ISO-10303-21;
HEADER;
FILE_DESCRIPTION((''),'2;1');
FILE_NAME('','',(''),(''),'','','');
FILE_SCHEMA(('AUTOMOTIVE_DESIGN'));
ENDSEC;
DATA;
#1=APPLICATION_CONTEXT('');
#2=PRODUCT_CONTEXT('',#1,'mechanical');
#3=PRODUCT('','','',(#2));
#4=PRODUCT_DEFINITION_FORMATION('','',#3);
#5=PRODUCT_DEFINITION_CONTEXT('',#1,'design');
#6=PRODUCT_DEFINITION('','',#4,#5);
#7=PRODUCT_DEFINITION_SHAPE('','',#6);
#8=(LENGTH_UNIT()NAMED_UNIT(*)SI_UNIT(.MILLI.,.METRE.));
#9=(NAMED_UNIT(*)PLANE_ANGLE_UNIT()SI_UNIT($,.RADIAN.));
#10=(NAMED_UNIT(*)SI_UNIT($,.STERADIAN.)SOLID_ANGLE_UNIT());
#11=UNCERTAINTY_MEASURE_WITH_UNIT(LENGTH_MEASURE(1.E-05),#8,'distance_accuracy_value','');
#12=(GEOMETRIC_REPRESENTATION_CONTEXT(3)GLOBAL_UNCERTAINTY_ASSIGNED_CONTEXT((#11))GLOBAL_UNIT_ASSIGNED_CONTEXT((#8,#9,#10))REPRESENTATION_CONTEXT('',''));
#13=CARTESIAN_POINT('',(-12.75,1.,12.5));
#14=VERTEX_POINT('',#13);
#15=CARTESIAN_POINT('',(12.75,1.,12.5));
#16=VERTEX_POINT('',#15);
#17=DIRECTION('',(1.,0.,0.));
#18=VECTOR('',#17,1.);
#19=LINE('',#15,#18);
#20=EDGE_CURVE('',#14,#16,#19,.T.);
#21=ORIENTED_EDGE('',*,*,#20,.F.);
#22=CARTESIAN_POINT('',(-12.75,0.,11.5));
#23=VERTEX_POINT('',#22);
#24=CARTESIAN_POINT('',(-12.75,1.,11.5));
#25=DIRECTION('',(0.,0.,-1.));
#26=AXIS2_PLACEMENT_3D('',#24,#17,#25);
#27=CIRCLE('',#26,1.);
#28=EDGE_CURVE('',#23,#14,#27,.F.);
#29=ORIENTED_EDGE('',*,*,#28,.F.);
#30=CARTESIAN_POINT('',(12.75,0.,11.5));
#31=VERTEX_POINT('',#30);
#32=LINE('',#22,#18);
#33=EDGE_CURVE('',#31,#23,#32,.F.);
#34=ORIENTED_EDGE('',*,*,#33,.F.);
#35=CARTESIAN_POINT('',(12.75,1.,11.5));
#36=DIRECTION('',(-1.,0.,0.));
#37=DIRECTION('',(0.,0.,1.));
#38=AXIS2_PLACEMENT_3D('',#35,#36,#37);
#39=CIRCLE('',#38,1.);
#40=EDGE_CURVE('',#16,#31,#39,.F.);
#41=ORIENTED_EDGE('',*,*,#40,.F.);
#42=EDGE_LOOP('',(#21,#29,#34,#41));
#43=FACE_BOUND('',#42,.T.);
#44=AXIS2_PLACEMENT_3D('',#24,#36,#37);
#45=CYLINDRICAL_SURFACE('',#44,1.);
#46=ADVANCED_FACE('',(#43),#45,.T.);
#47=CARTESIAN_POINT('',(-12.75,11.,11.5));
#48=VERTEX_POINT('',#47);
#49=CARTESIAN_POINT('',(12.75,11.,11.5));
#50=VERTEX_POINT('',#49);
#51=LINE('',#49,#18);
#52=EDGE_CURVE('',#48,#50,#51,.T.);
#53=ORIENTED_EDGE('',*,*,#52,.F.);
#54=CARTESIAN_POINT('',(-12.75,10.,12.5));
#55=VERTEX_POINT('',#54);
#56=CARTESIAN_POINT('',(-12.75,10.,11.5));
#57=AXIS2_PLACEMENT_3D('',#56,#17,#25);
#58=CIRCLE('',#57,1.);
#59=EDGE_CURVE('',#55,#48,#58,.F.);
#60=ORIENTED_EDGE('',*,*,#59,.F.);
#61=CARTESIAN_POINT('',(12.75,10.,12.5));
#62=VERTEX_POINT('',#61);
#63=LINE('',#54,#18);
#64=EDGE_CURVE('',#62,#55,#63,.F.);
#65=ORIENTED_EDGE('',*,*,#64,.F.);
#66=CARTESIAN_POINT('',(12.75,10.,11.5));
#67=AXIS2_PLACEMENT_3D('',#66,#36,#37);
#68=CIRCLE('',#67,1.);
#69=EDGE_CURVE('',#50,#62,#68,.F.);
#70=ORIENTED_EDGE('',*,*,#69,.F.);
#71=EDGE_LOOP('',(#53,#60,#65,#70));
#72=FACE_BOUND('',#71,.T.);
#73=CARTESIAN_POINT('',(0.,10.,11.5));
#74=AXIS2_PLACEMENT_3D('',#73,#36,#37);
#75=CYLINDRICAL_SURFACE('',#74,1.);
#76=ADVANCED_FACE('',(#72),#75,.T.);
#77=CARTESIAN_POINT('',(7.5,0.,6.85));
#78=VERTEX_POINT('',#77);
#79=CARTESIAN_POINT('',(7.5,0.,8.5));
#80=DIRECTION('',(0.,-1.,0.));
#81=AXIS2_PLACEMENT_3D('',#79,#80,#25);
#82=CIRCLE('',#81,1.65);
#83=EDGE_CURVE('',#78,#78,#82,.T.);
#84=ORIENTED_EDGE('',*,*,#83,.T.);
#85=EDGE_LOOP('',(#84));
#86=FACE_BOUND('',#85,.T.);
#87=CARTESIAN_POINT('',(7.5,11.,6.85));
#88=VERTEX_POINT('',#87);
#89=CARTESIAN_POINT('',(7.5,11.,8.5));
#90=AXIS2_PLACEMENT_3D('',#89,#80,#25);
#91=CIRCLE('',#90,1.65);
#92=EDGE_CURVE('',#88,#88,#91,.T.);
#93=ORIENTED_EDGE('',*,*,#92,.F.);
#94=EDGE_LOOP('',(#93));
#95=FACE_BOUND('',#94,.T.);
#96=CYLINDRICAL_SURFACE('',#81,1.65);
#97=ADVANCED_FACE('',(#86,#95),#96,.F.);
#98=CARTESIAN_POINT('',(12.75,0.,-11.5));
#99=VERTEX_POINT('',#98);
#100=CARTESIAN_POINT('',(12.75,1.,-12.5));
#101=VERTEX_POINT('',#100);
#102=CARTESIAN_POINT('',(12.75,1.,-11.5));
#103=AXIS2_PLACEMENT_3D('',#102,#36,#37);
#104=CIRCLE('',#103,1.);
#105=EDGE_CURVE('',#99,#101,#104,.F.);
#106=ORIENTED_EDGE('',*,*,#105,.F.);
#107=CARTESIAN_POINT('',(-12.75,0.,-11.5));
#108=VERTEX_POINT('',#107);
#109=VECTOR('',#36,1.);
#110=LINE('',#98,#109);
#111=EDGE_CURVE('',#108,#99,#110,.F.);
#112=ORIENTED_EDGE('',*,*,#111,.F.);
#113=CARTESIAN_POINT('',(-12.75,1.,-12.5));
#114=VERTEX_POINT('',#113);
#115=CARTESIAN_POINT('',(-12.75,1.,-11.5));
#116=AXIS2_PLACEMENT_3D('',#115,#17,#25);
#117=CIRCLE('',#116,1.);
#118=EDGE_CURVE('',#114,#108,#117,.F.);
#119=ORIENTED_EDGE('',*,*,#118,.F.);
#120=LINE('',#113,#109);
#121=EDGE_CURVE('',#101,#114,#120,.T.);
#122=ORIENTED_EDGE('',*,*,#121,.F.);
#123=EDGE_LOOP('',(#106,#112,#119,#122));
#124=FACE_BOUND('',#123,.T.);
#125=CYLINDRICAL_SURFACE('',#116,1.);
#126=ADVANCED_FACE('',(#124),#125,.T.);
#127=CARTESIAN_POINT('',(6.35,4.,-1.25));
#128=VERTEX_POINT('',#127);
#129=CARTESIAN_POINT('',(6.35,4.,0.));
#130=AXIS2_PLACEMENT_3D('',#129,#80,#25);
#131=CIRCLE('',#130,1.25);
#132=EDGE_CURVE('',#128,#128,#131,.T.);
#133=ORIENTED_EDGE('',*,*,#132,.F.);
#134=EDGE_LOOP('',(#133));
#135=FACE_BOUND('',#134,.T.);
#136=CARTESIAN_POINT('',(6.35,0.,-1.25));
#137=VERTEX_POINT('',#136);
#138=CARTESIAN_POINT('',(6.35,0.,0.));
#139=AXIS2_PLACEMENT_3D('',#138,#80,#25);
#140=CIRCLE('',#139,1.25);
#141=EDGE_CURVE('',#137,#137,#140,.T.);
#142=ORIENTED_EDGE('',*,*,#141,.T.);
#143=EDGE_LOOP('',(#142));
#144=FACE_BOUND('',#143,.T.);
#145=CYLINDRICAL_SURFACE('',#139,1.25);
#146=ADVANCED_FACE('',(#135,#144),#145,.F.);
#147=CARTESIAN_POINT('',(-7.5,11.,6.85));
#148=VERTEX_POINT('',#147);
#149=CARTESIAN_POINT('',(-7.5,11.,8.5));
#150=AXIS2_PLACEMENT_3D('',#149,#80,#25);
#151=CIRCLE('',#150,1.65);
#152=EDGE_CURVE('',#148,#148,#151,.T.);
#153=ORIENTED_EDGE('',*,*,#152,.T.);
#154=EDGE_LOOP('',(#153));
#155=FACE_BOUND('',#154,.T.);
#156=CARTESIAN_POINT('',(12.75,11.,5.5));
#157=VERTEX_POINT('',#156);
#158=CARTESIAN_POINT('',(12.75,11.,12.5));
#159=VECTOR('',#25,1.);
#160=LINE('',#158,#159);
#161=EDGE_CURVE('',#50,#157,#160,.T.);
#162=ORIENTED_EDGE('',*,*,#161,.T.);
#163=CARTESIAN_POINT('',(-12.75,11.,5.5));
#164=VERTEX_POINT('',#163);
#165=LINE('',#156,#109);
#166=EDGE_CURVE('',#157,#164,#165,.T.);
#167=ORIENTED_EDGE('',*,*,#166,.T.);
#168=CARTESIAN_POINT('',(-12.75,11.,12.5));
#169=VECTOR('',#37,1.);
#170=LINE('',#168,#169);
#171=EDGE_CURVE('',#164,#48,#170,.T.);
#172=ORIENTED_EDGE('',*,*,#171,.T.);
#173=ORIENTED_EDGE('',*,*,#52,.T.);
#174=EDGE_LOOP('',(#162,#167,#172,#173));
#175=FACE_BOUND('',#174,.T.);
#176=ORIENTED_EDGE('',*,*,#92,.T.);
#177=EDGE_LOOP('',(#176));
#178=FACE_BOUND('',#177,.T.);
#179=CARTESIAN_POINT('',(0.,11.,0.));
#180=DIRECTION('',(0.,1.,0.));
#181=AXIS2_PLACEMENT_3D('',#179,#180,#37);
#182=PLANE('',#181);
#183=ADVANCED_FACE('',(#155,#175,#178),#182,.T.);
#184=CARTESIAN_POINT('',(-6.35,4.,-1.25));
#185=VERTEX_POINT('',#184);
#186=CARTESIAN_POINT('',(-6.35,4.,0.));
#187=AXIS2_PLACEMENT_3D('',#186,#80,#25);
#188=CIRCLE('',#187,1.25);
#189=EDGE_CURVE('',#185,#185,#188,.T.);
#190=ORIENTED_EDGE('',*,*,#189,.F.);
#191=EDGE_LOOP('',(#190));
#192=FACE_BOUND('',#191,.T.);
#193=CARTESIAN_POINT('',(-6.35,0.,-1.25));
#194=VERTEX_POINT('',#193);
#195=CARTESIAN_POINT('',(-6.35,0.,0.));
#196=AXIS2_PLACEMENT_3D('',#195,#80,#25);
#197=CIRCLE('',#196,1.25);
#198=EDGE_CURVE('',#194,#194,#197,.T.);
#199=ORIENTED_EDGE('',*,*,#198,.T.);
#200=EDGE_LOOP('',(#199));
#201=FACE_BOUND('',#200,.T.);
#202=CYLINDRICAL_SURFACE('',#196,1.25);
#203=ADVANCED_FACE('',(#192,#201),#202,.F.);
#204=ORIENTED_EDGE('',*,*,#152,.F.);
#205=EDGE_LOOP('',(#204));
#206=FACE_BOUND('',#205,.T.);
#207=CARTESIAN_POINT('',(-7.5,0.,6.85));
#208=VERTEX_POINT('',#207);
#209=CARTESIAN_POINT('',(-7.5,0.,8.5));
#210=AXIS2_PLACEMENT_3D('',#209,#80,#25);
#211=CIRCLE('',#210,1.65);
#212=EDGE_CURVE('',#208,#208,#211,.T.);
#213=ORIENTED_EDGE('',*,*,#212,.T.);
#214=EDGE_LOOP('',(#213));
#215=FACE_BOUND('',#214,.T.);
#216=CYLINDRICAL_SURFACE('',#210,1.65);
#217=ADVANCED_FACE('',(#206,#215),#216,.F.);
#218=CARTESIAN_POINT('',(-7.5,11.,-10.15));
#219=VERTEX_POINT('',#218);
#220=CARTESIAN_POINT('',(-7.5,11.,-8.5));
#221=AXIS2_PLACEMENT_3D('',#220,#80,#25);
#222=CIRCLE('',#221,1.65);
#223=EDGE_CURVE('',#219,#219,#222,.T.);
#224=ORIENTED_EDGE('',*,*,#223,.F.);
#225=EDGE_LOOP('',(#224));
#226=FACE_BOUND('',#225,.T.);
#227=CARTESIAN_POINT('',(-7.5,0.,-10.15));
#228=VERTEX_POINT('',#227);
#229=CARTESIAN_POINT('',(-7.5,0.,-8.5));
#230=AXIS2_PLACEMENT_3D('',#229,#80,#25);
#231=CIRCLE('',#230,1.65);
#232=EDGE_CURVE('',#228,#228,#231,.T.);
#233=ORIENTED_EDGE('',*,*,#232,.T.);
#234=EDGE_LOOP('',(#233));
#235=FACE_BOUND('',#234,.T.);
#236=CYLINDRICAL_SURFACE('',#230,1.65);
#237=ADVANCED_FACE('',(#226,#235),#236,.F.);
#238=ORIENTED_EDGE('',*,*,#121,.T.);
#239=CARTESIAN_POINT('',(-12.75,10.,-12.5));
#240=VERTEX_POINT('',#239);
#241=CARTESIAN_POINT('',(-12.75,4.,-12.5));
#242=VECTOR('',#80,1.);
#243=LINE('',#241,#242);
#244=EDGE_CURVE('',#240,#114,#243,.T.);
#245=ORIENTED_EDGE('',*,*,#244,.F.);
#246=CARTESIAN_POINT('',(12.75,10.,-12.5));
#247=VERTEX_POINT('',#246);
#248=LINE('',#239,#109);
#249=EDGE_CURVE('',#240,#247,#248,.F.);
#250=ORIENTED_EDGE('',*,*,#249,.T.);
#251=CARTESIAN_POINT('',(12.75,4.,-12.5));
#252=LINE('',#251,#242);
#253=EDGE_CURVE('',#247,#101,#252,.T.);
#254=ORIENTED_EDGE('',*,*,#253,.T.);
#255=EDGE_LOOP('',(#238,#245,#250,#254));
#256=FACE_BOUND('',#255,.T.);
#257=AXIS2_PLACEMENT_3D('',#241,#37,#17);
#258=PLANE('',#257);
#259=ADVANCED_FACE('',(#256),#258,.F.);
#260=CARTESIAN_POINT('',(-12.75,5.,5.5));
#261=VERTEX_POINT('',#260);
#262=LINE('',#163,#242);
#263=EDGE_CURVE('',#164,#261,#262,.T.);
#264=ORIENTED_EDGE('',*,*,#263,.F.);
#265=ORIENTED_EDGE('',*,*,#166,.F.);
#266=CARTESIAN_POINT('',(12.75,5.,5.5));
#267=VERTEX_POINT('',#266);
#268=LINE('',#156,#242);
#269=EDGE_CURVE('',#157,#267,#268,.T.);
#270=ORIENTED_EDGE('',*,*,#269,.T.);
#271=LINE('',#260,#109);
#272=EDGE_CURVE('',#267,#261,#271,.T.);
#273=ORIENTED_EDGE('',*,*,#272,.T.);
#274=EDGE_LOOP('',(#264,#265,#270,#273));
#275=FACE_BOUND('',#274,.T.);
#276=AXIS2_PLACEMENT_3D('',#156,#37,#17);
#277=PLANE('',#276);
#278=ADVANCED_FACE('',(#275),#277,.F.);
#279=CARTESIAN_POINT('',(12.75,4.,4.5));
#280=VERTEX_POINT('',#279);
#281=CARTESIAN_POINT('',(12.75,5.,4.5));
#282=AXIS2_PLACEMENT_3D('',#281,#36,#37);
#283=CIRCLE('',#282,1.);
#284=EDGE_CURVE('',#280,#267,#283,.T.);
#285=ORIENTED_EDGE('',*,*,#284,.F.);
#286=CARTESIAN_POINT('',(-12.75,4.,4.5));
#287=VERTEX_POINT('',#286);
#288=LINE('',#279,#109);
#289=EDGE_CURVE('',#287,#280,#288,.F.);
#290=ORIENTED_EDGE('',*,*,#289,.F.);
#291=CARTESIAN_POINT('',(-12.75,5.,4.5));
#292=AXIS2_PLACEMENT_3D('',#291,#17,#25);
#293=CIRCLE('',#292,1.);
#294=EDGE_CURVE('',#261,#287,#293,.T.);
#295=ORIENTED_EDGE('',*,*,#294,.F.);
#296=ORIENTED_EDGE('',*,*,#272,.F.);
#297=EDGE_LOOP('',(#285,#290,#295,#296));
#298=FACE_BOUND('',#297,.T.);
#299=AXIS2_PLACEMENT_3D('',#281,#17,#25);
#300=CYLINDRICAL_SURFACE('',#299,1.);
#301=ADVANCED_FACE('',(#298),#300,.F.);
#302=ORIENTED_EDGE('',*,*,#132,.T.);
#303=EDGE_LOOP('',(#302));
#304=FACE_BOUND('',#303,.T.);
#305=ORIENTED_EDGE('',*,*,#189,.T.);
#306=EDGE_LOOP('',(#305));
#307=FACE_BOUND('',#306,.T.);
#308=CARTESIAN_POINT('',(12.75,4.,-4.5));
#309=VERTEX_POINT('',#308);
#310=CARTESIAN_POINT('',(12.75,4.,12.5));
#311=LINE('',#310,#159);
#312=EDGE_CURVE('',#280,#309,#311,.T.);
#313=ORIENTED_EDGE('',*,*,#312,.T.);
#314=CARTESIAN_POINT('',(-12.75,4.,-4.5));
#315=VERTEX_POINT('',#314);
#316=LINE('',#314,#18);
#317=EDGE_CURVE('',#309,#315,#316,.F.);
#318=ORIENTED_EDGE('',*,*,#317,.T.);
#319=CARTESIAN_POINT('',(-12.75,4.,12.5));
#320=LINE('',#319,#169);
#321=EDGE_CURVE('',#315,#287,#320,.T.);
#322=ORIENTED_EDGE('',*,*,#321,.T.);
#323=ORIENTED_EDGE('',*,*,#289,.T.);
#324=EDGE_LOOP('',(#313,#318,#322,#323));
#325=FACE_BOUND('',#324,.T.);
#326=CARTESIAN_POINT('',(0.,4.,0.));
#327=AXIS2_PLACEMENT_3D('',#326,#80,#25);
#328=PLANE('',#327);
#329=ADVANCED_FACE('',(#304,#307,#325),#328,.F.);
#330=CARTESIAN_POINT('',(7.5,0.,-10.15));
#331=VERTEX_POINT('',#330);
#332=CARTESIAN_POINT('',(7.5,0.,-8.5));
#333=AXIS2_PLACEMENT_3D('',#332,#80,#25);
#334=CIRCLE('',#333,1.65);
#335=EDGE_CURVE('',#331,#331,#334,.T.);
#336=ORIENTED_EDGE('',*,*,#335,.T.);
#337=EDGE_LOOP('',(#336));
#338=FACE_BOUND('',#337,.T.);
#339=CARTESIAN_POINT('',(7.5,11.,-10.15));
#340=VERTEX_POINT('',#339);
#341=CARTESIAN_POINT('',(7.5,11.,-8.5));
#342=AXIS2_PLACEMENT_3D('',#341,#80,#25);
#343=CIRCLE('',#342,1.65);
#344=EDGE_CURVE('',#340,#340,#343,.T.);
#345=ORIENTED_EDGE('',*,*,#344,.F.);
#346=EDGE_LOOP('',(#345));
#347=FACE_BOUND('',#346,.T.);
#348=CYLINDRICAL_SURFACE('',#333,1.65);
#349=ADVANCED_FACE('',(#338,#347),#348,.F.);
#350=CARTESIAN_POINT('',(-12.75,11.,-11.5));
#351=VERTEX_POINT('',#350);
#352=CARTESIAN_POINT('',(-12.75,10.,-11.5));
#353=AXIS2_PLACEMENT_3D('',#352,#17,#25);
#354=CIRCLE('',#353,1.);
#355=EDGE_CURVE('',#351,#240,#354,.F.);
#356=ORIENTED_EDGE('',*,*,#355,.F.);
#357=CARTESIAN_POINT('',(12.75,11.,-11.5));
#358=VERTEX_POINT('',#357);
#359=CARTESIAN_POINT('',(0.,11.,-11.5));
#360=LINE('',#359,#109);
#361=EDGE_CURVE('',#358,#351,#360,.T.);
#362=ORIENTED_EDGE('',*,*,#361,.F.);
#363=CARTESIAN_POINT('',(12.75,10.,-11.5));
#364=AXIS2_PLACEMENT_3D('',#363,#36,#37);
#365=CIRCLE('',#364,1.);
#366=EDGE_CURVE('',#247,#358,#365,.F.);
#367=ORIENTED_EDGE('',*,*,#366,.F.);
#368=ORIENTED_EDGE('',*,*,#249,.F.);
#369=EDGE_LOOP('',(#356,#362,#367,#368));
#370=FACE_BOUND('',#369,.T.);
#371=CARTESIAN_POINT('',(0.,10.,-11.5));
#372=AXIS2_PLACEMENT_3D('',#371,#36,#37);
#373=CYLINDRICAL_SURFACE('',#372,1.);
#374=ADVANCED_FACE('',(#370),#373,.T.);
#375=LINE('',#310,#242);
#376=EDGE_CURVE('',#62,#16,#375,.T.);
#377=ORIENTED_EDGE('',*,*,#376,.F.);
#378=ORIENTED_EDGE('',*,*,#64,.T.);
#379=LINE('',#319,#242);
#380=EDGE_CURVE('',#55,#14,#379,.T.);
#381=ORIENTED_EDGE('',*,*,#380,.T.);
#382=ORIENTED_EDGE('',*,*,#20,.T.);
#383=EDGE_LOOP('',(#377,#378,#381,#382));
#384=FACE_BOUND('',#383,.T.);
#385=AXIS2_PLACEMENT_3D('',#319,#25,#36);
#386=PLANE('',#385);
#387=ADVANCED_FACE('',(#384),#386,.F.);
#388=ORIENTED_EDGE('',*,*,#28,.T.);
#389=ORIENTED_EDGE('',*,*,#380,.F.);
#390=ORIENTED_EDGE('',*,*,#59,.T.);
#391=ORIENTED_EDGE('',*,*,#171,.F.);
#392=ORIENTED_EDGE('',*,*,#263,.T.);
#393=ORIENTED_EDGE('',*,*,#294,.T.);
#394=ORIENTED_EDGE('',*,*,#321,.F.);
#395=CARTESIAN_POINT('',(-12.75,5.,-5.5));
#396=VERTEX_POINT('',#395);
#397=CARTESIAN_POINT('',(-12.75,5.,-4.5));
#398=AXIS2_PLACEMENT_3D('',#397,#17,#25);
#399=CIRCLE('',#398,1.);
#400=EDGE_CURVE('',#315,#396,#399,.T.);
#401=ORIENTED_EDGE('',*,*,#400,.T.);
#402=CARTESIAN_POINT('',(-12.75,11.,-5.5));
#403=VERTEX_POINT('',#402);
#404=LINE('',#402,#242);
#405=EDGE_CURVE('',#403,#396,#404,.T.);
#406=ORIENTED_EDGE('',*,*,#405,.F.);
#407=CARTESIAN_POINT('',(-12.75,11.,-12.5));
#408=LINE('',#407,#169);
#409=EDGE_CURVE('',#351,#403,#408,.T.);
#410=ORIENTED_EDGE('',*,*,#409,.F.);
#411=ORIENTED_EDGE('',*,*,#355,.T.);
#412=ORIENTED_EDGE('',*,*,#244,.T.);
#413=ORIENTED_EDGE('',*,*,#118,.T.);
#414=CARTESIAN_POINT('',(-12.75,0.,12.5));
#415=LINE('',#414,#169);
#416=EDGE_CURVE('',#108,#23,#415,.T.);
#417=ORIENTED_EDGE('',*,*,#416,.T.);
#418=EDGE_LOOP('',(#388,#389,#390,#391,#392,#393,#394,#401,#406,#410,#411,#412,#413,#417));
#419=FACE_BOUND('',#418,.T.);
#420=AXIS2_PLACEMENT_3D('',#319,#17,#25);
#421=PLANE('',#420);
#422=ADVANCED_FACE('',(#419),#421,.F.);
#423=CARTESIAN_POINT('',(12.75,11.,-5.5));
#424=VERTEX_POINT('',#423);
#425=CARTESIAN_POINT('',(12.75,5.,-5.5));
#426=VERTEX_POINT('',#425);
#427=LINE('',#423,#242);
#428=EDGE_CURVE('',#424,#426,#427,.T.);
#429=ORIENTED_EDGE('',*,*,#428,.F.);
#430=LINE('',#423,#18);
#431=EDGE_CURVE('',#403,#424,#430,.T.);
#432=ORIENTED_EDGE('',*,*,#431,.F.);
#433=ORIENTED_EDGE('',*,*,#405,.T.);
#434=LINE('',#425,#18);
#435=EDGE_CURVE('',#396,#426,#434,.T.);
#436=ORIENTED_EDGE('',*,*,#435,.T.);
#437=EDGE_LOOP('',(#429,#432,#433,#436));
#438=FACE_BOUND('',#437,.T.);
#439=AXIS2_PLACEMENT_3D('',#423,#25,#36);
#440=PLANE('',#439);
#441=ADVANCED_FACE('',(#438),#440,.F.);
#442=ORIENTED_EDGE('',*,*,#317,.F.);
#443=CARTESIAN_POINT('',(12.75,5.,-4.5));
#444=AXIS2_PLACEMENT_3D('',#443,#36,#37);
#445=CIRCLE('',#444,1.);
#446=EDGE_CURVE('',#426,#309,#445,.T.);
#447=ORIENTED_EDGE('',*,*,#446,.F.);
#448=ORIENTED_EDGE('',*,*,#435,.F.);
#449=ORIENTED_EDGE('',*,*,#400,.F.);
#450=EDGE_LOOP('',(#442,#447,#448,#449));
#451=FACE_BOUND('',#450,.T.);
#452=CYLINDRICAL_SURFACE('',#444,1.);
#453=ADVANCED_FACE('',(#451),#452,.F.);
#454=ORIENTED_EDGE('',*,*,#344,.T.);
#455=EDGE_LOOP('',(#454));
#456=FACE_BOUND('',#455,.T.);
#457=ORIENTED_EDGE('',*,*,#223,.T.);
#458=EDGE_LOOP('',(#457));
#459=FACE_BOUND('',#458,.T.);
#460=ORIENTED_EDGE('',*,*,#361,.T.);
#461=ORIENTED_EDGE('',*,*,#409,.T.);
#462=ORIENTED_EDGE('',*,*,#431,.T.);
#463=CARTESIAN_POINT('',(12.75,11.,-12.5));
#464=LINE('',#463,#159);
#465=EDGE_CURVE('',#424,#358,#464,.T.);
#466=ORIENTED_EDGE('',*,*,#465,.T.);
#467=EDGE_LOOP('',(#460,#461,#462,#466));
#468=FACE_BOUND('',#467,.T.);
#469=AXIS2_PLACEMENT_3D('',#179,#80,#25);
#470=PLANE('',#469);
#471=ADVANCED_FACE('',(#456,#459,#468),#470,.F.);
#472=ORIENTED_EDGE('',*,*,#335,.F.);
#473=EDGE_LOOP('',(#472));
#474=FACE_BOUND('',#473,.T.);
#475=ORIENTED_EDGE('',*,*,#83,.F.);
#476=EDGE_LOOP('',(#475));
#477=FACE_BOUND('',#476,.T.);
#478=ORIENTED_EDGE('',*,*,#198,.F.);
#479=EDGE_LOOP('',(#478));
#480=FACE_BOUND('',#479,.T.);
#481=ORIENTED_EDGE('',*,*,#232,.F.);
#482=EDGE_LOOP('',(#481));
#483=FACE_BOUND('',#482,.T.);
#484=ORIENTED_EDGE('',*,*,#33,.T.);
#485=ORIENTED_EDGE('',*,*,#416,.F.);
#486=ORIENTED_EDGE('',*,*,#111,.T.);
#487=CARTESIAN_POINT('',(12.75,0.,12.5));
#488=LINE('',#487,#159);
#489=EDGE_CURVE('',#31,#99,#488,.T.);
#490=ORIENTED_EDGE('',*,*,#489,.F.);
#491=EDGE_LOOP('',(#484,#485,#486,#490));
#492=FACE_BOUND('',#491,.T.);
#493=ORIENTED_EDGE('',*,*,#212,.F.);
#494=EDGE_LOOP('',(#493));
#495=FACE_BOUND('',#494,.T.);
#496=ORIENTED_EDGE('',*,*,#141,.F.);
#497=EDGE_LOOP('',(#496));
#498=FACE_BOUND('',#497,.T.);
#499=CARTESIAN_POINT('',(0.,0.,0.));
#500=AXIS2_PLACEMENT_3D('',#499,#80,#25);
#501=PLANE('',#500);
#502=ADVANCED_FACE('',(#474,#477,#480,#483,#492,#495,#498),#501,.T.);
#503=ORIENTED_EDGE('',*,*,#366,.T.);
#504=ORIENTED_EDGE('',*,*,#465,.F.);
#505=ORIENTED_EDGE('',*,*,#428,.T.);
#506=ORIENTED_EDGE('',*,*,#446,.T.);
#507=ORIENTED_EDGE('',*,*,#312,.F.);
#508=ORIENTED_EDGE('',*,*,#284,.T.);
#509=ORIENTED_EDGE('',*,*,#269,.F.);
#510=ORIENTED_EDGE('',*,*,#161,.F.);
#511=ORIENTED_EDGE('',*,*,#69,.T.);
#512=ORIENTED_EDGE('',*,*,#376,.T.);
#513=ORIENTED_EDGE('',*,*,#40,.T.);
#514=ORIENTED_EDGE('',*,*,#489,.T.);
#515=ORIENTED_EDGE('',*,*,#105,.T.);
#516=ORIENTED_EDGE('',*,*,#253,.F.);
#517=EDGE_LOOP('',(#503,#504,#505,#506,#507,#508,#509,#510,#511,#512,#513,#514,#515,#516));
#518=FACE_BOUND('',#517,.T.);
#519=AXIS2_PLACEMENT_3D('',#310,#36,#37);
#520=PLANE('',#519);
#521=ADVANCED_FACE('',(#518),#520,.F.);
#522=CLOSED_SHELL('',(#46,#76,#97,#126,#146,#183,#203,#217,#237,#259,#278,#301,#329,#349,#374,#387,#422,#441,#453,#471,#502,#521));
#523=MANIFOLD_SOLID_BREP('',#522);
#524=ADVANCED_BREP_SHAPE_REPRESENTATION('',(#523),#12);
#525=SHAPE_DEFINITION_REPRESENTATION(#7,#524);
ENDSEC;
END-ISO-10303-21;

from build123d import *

# Parameters (mm, degrees)
SKETCH_1_W         = 25.5
SKETCH_1_H         = 25
EXTRUDE_1_DEPTH    = 4
SKETCH_6_W         = 25.5
SKETCH_6_H         = 7
EXTRUDE_2_DEPTH    = 7
HOLE_WIZARD_M3_1_D = 2.5
HOLE_WIZARD_M4_3_D = 3.3
FILLET_1_R         = 1


with BuildPart() as part:
    # 草图1 → 凸台-拉伸1 (new body)
    with BuildSketch(Plane(origin=(0, 0, 0), x_dir=(1, 0, 0), z_dir=(0, 1, 0))):
        Rectangle(SKETCH_1_W, SKETCH_1_H)
    extrude(amount=EXTRUDE_1_DEPTH)

    # 草图6 → 凸台-拉伸2 (add)
    with BuildSketch(Plane(origin=(0, 4, 0), x_dir=(1, 0, 0), z_dir=(0, 1, 0))):
        with Locations((0, 9)):
            Rectangle(SKETCH_6_W, SKETCH_6_H)
        with Locations((0, -9)):
            Rectangle(SKETCH_6_W, SKETCH_6_H)
    extrude(amount=EXTRUDE_2_DEPTH)

    # M3 螺纹孔1 (through all)
    with Locations(Plane(origin=(6.35, 0, 0), x_dir=(0, 0, -1), z_dir=(0, -1, 0))):
        with Locations((0, 0), (0, -12.7)):
            Hole(HOLE_WIZARD_M3_1_D / 2)

    # M4 螺纹孔3 (through all)
    with Locations(Plane(origin=(7.5, 0, 8.5), x_dir=(0, 0, -1), z_dir=(0, -1, 0))):
        with Locations((0, 0), (0, -15), (17, -15), (17, 0)):
            Hole(HOLE_WIZARD_M4_3_D / 2)

    # 圆角1
    fillet_1_edges = [part.edges().sort_by_distance(p)[0] for p in [
        (0, 4, -5.5),
        (0, 11, -12.5),
        (0, 4, 5.5),
        (0, 11, 12.5),
        (0, 0, 12.5),
        (0, 0, -12.5),
    ]]
    fillet(fillet_1_edges, radius=FILLET_1_R)


solid = part.part
